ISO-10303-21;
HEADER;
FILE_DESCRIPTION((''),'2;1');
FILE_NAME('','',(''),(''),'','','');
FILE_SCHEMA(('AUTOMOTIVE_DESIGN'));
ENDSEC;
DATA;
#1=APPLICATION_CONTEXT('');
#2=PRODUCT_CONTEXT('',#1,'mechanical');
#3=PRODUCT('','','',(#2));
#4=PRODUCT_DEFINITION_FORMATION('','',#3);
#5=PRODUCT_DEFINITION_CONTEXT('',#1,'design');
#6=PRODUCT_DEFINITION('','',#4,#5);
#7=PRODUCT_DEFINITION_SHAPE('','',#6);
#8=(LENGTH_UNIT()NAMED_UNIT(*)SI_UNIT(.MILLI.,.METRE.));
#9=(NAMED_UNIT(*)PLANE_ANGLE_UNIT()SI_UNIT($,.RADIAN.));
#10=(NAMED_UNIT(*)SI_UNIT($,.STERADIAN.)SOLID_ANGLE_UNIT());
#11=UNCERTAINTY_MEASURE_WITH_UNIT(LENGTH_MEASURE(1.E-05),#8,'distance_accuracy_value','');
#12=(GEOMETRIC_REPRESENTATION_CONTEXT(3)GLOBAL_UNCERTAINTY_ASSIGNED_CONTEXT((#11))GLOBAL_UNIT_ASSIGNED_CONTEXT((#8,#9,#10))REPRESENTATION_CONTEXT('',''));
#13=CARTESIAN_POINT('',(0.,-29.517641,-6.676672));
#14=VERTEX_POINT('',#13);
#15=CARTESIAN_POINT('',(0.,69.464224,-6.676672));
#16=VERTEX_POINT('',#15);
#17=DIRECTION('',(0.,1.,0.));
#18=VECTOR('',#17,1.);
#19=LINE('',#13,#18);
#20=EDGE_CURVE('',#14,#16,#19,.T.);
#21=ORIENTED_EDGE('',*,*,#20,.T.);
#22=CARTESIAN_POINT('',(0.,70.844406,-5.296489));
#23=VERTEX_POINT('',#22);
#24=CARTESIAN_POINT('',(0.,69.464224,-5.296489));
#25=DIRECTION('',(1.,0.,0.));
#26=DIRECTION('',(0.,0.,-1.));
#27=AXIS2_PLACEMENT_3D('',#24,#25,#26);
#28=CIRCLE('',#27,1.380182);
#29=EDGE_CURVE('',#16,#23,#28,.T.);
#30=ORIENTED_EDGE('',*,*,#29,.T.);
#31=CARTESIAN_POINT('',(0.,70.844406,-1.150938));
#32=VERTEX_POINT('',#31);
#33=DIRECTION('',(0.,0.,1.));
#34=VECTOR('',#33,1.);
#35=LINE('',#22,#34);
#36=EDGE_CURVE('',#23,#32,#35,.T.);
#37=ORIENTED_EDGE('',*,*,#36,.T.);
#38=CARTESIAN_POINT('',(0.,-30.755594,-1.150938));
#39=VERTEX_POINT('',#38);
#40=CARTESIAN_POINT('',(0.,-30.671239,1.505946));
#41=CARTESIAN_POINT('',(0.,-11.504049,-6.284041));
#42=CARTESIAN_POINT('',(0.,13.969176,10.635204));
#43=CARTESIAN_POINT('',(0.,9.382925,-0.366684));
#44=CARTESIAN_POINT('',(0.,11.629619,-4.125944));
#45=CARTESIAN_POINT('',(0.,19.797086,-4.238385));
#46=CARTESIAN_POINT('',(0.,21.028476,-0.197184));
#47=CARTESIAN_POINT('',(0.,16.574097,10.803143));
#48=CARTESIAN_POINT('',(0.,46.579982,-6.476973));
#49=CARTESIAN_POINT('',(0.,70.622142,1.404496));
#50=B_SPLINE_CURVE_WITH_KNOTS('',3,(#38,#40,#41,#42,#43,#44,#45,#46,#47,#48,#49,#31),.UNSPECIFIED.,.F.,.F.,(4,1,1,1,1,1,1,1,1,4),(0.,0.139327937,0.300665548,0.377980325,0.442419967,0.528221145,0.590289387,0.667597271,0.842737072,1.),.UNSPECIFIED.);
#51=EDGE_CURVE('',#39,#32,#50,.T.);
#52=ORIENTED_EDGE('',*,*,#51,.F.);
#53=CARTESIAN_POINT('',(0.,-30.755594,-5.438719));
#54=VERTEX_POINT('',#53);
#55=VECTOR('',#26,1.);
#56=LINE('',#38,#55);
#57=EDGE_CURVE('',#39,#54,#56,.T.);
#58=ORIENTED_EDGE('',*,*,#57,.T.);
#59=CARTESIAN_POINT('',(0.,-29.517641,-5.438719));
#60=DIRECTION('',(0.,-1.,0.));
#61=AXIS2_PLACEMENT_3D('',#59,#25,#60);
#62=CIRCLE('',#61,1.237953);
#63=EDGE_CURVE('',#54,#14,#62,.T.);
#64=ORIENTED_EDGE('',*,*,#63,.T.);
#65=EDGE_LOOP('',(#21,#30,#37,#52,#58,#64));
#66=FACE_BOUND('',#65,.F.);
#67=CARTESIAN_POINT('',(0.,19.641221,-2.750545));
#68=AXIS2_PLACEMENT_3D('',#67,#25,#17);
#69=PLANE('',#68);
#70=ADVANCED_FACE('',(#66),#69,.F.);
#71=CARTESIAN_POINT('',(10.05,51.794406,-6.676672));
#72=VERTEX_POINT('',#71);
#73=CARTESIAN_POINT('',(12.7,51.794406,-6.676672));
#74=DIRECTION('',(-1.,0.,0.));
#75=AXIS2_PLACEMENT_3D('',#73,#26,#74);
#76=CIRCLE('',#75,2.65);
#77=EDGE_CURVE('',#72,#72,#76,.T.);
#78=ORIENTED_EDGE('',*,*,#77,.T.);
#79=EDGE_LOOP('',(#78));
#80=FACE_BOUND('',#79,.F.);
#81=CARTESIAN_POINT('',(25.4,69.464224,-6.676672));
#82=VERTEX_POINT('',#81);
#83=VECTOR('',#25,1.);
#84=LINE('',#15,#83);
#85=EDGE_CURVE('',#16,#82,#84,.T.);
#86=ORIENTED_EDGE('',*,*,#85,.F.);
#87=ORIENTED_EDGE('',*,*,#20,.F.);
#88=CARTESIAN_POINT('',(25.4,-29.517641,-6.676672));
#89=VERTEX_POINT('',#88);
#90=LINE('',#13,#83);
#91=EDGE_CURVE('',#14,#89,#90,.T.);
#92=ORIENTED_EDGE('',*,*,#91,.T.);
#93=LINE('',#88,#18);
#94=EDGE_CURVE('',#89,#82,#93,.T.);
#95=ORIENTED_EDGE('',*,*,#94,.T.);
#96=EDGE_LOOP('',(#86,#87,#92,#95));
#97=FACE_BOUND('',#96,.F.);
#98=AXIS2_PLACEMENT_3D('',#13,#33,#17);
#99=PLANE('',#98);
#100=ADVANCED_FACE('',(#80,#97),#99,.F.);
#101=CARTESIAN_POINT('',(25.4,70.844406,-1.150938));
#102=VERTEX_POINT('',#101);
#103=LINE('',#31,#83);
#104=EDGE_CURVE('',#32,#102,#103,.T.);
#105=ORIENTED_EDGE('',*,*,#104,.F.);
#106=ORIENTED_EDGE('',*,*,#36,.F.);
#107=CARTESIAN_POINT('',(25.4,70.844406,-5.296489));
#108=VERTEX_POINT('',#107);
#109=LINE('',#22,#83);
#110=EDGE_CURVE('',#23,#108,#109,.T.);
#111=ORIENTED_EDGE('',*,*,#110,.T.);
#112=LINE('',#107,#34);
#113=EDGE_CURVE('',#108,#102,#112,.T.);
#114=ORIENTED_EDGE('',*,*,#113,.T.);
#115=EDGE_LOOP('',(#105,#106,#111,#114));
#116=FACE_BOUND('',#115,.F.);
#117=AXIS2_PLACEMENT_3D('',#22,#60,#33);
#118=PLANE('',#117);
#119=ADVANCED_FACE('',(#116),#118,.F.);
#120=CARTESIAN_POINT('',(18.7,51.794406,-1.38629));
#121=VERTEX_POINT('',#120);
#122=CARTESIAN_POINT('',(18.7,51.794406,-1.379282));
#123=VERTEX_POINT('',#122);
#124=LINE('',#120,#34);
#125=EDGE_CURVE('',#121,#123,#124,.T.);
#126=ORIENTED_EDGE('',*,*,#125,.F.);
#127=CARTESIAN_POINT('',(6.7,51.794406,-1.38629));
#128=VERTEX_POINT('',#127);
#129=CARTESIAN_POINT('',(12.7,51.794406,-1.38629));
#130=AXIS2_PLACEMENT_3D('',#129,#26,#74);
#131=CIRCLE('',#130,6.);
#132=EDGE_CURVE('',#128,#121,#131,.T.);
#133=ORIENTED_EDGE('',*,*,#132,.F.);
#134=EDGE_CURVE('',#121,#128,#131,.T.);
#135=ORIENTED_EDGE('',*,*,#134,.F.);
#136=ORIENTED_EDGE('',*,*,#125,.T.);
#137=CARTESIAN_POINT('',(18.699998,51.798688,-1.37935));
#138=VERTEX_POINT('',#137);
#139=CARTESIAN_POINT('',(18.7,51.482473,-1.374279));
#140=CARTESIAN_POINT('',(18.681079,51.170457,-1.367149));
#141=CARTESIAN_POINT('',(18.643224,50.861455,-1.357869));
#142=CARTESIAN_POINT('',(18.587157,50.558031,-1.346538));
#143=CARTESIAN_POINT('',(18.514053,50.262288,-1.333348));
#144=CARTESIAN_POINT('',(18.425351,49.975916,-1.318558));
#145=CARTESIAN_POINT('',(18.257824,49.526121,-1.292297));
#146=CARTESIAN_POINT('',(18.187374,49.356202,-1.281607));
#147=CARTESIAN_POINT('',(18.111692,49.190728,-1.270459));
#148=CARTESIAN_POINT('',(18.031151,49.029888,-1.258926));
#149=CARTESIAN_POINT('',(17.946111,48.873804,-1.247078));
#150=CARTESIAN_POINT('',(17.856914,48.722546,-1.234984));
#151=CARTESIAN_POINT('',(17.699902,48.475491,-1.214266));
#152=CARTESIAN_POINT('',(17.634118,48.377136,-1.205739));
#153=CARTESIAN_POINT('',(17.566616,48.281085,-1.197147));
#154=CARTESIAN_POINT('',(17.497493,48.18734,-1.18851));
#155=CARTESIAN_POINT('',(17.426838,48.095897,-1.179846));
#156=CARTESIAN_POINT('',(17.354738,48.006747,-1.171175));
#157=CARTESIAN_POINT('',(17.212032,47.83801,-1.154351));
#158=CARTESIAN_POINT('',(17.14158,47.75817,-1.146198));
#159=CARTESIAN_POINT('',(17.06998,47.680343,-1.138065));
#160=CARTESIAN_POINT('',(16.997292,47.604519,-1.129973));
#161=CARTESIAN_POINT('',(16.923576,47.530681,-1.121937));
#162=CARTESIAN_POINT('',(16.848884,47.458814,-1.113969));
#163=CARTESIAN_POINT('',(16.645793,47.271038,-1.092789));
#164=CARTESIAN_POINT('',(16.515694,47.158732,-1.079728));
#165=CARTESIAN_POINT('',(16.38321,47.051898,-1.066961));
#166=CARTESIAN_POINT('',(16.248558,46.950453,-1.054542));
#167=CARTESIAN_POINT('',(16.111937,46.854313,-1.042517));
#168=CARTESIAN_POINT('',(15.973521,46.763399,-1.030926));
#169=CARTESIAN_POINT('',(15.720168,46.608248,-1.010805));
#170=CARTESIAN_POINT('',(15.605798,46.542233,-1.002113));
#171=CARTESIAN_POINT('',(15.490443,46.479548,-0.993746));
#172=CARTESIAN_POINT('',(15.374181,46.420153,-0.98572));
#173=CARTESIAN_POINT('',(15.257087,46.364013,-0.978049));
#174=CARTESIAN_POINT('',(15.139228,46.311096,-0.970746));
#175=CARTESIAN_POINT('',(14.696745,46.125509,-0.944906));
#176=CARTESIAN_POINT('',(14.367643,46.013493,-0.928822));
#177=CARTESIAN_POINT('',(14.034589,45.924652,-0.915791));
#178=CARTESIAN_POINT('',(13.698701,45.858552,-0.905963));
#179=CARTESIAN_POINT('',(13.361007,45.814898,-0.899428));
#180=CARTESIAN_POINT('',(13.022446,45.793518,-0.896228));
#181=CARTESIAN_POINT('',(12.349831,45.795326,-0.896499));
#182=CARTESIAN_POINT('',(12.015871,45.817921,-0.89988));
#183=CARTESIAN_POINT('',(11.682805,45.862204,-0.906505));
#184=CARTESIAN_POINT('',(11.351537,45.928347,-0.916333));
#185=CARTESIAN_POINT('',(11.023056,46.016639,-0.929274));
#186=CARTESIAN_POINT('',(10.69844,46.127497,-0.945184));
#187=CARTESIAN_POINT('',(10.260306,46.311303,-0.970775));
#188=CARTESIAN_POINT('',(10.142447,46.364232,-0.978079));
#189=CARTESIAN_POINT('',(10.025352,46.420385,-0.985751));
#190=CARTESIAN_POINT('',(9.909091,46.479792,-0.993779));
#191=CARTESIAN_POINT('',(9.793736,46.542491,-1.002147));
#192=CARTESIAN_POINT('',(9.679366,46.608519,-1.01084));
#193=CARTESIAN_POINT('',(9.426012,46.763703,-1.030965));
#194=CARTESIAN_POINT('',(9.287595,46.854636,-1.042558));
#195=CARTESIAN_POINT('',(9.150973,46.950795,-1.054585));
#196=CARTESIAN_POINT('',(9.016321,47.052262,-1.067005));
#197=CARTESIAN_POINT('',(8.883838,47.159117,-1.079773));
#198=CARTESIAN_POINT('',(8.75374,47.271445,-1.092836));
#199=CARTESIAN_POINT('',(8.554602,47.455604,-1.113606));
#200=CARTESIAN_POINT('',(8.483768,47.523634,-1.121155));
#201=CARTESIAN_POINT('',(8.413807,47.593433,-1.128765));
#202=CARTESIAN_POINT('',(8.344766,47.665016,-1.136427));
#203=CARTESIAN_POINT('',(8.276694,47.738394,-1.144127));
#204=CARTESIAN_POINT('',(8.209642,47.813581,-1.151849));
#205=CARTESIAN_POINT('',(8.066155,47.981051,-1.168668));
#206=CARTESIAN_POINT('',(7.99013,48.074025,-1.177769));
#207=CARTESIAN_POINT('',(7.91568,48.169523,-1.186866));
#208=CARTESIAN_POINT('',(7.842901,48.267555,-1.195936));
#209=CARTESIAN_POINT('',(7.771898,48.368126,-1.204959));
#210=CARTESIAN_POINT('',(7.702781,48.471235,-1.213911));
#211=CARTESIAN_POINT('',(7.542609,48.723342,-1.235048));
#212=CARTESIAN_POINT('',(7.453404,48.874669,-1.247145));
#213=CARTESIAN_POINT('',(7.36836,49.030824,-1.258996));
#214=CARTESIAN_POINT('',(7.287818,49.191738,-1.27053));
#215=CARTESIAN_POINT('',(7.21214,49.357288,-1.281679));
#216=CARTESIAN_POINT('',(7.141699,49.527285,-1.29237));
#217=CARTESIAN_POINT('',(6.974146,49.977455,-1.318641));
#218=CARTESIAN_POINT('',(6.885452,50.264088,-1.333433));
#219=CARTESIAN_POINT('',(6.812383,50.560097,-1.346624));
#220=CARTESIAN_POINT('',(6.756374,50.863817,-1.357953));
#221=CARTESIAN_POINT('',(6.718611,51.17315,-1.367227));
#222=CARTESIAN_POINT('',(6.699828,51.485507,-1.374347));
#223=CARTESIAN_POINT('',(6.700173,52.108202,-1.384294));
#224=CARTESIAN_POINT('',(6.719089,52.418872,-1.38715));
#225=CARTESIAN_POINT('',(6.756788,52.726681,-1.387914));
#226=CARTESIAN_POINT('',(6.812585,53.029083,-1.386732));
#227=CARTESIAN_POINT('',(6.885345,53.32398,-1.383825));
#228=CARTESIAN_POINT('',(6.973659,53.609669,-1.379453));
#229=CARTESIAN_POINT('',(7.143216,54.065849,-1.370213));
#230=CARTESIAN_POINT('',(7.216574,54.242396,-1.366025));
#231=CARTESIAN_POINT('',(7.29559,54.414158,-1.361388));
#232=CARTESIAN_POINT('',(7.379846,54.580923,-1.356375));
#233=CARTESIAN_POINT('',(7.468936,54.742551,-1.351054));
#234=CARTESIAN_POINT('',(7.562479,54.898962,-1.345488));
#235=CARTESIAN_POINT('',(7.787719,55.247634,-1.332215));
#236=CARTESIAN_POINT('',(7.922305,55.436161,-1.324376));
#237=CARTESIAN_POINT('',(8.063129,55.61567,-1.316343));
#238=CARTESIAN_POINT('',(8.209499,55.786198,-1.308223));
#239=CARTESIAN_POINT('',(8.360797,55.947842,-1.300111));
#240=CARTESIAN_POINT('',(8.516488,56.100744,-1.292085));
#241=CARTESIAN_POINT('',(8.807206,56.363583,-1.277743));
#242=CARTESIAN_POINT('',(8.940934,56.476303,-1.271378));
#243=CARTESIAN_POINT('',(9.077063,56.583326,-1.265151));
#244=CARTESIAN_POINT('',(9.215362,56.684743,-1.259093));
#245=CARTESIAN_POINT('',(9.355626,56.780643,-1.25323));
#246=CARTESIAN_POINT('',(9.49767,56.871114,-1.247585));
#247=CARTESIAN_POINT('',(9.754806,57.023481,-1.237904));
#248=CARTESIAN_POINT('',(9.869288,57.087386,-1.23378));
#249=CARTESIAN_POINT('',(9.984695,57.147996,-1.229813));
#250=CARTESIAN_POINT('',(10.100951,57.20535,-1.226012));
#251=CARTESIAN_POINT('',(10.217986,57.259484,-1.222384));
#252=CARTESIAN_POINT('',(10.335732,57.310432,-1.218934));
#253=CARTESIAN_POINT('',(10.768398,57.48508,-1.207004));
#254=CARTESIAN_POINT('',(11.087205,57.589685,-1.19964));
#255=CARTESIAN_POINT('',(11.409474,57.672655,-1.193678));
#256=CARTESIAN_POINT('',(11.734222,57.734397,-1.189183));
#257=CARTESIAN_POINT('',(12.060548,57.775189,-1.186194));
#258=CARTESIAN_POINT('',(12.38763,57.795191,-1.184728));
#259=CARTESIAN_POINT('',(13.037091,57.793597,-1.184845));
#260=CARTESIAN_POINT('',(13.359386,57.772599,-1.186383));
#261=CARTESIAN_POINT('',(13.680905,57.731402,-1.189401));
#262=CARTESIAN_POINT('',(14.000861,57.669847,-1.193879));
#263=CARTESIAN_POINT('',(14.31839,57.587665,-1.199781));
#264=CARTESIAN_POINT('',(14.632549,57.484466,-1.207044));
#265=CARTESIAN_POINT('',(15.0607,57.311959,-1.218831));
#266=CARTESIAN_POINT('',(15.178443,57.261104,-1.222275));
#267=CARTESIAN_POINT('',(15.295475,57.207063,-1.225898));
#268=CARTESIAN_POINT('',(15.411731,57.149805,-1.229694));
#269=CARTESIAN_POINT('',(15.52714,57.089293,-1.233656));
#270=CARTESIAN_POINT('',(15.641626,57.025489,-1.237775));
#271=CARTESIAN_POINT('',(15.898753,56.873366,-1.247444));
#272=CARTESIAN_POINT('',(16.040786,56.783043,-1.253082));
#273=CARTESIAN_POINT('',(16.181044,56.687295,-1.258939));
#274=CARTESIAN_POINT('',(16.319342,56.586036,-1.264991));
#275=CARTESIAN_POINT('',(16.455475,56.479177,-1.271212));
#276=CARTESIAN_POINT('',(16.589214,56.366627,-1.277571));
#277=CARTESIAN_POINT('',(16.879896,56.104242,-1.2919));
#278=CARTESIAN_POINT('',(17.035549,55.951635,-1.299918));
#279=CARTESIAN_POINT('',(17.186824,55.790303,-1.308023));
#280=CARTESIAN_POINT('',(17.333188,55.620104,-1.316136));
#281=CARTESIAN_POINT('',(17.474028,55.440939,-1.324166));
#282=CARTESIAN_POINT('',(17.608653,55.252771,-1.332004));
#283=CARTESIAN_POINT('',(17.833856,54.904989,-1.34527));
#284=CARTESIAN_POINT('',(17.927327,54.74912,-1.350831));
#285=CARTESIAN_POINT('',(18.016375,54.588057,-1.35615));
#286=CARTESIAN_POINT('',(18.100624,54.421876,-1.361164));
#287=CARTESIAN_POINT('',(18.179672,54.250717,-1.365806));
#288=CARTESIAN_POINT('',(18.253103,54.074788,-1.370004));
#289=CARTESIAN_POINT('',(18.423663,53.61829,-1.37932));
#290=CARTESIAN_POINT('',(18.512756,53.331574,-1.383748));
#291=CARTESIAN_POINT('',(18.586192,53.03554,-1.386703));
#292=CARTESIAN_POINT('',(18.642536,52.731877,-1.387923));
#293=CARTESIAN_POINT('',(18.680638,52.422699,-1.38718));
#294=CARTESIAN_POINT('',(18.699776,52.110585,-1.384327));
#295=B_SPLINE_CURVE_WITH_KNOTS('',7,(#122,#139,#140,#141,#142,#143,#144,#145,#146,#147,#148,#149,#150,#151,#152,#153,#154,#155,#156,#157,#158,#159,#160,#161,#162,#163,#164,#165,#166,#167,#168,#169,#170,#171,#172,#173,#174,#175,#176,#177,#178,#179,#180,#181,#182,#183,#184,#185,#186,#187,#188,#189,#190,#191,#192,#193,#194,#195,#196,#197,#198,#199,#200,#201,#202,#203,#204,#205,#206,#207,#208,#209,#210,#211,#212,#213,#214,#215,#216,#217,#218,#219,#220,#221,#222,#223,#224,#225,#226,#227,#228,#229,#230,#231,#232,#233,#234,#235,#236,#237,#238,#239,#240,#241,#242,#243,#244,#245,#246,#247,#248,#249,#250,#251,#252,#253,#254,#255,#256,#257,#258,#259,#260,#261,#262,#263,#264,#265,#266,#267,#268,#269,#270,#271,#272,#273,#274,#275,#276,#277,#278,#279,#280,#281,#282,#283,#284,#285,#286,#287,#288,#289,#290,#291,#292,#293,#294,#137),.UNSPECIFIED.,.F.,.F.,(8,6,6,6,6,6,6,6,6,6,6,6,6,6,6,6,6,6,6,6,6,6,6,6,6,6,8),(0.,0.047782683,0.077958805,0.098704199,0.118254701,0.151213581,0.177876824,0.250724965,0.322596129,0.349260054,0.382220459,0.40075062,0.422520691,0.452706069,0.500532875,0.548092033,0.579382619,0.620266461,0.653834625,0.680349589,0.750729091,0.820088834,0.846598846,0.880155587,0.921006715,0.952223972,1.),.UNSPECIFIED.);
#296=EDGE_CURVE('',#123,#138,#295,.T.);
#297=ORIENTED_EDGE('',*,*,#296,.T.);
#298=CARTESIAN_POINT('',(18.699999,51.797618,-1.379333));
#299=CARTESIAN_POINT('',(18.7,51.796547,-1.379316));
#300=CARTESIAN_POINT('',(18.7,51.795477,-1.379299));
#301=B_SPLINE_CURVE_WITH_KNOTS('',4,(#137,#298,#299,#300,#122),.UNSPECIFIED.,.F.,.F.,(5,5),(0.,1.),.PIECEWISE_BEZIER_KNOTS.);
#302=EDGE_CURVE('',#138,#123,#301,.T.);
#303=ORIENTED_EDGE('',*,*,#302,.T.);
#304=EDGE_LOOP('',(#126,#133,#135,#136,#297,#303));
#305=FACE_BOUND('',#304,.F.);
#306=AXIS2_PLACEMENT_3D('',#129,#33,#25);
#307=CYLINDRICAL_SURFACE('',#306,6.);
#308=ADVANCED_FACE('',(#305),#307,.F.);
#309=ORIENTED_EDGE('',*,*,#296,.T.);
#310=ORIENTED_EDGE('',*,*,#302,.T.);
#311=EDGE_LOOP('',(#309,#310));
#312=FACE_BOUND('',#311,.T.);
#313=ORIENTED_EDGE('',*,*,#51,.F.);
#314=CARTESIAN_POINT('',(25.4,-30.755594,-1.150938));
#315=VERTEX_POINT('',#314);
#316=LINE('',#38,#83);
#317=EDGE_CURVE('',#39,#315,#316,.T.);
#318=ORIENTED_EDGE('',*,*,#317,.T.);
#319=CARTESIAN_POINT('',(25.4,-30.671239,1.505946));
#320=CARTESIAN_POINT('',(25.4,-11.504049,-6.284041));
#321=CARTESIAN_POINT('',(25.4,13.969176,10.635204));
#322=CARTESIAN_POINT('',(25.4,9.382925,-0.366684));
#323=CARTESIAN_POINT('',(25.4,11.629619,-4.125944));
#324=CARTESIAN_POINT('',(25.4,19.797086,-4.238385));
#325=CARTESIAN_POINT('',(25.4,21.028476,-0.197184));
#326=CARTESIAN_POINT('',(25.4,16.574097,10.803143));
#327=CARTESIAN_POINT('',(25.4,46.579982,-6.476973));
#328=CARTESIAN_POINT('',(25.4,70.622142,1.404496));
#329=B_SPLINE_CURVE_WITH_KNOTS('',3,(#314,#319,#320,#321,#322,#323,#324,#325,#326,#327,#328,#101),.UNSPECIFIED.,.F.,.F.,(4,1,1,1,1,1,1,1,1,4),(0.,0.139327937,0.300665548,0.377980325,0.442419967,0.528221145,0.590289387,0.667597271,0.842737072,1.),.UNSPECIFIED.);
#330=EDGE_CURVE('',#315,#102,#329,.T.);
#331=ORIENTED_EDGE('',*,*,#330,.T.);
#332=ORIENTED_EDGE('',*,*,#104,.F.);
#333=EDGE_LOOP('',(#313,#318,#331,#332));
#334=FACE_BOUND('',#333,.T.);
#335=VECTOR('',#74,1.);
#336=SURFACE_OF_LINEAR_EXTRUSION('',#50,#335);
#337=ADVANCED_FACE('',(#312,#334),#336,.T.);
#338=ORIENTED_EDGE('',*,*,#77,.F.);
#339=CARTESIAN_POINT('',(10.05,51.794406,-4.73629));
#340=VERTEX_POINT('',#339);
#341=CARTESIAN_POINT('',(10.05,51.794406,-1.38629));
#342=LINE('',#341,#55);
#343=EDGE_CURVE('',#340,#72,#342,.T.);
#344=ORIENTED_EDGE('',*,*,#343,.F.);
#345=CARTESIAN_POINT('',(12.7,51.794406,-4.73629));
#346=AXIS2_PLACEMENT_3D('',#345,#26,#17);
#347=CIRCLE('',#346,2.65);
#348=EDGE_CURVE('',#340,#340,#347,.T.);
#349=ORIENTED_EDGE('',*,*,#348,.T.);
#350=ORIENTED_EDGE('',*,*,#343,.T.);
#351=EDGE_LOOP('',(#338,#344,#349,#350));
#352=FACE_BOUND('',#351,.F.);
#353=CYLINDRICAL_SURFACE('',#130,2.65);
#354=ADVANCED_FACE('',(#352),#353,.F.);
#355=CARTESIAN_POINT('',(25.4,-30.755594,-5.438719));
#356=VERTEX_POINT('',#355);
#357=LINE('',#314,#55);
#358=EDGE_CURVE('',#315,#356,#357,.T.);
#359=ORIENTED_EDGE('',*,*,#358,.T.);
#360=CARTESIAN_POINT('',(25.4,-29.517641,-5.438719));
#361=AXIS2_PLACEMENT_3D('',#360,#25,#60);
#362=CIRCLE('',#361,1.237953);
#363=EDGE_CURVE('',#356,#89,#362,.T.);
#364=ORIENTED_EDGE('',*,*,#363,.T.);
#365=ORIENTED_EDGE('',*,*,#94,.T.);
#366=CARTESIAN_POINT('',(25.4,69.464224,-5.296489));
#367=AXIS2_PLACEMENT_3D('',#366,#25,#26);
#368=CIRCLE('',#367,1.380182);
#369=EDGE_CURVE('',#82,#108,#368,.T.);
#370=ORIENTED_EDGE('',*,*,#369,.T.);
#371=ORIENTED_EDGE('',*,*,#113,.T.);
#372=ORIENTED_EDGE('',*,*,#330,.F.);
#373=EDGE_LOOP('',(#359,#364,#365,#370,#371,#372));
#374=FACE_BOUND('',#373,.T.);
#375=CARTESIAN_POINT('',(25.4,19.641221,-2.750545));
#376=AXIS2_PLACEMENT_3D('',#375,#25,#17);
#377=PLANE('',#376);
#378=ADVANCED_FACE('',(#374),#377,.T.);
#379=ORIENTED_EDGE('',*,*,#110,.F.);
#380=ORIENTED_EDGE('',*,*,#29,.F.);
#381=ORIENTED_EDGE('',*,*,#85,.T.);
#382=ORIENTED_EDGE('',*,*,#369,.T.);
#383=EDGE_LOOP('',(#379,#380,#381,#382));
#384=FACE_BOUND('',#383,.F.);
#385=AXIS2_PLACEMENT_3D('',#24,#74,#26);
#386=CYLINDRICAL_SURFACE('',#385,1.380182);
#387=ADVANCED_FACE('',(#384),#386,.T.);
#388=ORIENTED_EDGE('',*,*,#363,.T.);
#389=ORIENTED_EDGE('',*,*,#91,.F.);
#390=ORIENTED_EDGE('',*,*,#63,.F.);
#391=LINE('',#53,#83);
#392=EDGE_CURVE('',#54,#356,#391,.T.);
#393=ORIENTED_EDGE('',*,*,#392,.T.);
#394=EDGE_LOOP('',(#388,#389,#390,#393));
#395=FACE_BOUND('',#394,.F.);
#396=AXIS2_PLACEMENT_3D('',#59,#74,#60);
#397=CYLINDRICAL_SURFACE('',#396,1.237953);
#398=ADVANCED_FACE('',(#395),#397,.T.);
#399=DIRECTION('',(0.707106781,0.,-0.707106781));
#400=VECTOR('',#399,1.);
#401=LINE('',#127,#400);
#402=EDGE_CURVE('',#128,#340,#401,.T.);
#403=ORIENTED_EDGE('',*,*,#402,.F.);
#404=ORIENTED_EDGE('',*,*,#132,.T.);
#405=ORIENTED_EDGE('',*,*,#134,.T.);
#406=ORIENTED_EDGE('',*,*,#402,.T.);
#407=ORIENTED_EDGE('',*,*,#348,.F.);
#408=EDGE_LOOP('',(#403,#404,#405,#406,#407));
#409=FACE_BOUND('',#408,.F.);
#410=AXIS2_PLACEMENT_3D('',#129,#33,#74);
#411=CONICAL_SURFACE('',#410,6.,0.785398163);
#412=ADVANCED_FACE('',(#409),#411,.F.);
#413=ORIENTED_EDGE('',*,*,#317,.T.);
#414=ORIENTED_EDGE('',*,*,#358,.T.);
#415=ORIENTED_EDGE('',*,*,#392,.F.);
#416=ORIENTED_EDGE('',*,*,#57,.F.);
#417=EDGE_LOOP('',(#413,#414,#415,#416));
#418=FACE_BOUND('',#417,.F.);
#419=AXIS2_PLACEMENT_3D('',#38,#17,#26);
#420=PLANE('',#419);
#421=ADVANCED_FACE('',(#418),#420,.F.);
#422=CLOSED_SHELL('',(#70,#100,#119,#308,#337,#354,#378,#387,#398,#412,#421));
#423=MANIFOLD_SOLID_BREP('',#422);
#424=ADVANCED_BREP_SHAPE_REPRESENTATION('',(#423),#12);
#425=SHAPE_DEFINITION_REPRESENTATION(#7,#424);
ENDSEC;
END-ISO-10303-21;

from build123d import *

# Parameters (mm, degrees)
F1_DEPTH       = 25.4
F3_D           = 5.3
F3_DEPTH       = 50.8
F3_START       = 1.3862898
F3_CSINK_D     = 12
F3_CSINK_ANGLE = 90
F3_TIP         = 1.5922806404


with BuildPart() as f1:
    # F0 (on Right) → F1 (new body)
    with BuildSketch(Plane.YZ):
        with BuildLine():
            ThreePointArc((-30.7555938594, -5.4387189925), (-30.3930059469, -6.3140836484), (-29.517641291, -6.6766715609))
            Line((-29.517641291, -6.6766715609), (69.464223925, -6.6766715609))
            ThreePointArc((69.464223925, -6.6766715609), (70.4401601289, -6.2724255492), (70.8444061406, -5.2964893453))
            Line((70.8444061406, -5.2964893453), (70.8444061406, -1.1509376742))
            add(Edge.make_bspline(
                [(-30.7555938594, -1.1509376742), (-30.6712389887, 1.5059464005), (-11.5040493156, -6.2840410326), (13.9691761151, 10.6352039949), (9.382925007, -0.3666844393), (11.6296193702, -4.1259435876), (19.7970863595, -4.2383847935), (21.0284762328, -0.1971839621), (16.5740968162, 10.8031434254), (46.5799818396, -6.4769732559), (70.622141746, 1.4044956286), (70.8444061406, -1.1509376742)],
                knots=[0, 0, 0, 0, 0.1393279371, 0.3006655479, 0.3779803251, 0.4424199674, 0.5282211455, 0.5902893874, 0.6675972709, 0.8427370718, 1, 1, 1, 1], degree=3))
            Line((-30.7555938594, -1.1509376742), (-30.7555938594, -5.4387189925))
        make_face()
    extrude(amount=F1_DEPTH)

    # F3
    # its depths count from where the whole tool has entered the part; down to there all is cleared
    with Locations(Plane.XY.offset(-F3_START)):
        with Locations((12.7, 51.7944061406)):
            CounterSinkHole(F3_D / 2, F3_CSINK_D / 2, depth=F3_DEPTH, counter_sink_angle=F3_CSINK_ANGLE)
            with Locations((0, 0, -(F3_DEPTH + F3_TIP / 2))):  # 118° drill point
                Cone(0, F3_D / 2, F3_TIP, mode=Mode.SUBTRACT)


solid = f1.part
